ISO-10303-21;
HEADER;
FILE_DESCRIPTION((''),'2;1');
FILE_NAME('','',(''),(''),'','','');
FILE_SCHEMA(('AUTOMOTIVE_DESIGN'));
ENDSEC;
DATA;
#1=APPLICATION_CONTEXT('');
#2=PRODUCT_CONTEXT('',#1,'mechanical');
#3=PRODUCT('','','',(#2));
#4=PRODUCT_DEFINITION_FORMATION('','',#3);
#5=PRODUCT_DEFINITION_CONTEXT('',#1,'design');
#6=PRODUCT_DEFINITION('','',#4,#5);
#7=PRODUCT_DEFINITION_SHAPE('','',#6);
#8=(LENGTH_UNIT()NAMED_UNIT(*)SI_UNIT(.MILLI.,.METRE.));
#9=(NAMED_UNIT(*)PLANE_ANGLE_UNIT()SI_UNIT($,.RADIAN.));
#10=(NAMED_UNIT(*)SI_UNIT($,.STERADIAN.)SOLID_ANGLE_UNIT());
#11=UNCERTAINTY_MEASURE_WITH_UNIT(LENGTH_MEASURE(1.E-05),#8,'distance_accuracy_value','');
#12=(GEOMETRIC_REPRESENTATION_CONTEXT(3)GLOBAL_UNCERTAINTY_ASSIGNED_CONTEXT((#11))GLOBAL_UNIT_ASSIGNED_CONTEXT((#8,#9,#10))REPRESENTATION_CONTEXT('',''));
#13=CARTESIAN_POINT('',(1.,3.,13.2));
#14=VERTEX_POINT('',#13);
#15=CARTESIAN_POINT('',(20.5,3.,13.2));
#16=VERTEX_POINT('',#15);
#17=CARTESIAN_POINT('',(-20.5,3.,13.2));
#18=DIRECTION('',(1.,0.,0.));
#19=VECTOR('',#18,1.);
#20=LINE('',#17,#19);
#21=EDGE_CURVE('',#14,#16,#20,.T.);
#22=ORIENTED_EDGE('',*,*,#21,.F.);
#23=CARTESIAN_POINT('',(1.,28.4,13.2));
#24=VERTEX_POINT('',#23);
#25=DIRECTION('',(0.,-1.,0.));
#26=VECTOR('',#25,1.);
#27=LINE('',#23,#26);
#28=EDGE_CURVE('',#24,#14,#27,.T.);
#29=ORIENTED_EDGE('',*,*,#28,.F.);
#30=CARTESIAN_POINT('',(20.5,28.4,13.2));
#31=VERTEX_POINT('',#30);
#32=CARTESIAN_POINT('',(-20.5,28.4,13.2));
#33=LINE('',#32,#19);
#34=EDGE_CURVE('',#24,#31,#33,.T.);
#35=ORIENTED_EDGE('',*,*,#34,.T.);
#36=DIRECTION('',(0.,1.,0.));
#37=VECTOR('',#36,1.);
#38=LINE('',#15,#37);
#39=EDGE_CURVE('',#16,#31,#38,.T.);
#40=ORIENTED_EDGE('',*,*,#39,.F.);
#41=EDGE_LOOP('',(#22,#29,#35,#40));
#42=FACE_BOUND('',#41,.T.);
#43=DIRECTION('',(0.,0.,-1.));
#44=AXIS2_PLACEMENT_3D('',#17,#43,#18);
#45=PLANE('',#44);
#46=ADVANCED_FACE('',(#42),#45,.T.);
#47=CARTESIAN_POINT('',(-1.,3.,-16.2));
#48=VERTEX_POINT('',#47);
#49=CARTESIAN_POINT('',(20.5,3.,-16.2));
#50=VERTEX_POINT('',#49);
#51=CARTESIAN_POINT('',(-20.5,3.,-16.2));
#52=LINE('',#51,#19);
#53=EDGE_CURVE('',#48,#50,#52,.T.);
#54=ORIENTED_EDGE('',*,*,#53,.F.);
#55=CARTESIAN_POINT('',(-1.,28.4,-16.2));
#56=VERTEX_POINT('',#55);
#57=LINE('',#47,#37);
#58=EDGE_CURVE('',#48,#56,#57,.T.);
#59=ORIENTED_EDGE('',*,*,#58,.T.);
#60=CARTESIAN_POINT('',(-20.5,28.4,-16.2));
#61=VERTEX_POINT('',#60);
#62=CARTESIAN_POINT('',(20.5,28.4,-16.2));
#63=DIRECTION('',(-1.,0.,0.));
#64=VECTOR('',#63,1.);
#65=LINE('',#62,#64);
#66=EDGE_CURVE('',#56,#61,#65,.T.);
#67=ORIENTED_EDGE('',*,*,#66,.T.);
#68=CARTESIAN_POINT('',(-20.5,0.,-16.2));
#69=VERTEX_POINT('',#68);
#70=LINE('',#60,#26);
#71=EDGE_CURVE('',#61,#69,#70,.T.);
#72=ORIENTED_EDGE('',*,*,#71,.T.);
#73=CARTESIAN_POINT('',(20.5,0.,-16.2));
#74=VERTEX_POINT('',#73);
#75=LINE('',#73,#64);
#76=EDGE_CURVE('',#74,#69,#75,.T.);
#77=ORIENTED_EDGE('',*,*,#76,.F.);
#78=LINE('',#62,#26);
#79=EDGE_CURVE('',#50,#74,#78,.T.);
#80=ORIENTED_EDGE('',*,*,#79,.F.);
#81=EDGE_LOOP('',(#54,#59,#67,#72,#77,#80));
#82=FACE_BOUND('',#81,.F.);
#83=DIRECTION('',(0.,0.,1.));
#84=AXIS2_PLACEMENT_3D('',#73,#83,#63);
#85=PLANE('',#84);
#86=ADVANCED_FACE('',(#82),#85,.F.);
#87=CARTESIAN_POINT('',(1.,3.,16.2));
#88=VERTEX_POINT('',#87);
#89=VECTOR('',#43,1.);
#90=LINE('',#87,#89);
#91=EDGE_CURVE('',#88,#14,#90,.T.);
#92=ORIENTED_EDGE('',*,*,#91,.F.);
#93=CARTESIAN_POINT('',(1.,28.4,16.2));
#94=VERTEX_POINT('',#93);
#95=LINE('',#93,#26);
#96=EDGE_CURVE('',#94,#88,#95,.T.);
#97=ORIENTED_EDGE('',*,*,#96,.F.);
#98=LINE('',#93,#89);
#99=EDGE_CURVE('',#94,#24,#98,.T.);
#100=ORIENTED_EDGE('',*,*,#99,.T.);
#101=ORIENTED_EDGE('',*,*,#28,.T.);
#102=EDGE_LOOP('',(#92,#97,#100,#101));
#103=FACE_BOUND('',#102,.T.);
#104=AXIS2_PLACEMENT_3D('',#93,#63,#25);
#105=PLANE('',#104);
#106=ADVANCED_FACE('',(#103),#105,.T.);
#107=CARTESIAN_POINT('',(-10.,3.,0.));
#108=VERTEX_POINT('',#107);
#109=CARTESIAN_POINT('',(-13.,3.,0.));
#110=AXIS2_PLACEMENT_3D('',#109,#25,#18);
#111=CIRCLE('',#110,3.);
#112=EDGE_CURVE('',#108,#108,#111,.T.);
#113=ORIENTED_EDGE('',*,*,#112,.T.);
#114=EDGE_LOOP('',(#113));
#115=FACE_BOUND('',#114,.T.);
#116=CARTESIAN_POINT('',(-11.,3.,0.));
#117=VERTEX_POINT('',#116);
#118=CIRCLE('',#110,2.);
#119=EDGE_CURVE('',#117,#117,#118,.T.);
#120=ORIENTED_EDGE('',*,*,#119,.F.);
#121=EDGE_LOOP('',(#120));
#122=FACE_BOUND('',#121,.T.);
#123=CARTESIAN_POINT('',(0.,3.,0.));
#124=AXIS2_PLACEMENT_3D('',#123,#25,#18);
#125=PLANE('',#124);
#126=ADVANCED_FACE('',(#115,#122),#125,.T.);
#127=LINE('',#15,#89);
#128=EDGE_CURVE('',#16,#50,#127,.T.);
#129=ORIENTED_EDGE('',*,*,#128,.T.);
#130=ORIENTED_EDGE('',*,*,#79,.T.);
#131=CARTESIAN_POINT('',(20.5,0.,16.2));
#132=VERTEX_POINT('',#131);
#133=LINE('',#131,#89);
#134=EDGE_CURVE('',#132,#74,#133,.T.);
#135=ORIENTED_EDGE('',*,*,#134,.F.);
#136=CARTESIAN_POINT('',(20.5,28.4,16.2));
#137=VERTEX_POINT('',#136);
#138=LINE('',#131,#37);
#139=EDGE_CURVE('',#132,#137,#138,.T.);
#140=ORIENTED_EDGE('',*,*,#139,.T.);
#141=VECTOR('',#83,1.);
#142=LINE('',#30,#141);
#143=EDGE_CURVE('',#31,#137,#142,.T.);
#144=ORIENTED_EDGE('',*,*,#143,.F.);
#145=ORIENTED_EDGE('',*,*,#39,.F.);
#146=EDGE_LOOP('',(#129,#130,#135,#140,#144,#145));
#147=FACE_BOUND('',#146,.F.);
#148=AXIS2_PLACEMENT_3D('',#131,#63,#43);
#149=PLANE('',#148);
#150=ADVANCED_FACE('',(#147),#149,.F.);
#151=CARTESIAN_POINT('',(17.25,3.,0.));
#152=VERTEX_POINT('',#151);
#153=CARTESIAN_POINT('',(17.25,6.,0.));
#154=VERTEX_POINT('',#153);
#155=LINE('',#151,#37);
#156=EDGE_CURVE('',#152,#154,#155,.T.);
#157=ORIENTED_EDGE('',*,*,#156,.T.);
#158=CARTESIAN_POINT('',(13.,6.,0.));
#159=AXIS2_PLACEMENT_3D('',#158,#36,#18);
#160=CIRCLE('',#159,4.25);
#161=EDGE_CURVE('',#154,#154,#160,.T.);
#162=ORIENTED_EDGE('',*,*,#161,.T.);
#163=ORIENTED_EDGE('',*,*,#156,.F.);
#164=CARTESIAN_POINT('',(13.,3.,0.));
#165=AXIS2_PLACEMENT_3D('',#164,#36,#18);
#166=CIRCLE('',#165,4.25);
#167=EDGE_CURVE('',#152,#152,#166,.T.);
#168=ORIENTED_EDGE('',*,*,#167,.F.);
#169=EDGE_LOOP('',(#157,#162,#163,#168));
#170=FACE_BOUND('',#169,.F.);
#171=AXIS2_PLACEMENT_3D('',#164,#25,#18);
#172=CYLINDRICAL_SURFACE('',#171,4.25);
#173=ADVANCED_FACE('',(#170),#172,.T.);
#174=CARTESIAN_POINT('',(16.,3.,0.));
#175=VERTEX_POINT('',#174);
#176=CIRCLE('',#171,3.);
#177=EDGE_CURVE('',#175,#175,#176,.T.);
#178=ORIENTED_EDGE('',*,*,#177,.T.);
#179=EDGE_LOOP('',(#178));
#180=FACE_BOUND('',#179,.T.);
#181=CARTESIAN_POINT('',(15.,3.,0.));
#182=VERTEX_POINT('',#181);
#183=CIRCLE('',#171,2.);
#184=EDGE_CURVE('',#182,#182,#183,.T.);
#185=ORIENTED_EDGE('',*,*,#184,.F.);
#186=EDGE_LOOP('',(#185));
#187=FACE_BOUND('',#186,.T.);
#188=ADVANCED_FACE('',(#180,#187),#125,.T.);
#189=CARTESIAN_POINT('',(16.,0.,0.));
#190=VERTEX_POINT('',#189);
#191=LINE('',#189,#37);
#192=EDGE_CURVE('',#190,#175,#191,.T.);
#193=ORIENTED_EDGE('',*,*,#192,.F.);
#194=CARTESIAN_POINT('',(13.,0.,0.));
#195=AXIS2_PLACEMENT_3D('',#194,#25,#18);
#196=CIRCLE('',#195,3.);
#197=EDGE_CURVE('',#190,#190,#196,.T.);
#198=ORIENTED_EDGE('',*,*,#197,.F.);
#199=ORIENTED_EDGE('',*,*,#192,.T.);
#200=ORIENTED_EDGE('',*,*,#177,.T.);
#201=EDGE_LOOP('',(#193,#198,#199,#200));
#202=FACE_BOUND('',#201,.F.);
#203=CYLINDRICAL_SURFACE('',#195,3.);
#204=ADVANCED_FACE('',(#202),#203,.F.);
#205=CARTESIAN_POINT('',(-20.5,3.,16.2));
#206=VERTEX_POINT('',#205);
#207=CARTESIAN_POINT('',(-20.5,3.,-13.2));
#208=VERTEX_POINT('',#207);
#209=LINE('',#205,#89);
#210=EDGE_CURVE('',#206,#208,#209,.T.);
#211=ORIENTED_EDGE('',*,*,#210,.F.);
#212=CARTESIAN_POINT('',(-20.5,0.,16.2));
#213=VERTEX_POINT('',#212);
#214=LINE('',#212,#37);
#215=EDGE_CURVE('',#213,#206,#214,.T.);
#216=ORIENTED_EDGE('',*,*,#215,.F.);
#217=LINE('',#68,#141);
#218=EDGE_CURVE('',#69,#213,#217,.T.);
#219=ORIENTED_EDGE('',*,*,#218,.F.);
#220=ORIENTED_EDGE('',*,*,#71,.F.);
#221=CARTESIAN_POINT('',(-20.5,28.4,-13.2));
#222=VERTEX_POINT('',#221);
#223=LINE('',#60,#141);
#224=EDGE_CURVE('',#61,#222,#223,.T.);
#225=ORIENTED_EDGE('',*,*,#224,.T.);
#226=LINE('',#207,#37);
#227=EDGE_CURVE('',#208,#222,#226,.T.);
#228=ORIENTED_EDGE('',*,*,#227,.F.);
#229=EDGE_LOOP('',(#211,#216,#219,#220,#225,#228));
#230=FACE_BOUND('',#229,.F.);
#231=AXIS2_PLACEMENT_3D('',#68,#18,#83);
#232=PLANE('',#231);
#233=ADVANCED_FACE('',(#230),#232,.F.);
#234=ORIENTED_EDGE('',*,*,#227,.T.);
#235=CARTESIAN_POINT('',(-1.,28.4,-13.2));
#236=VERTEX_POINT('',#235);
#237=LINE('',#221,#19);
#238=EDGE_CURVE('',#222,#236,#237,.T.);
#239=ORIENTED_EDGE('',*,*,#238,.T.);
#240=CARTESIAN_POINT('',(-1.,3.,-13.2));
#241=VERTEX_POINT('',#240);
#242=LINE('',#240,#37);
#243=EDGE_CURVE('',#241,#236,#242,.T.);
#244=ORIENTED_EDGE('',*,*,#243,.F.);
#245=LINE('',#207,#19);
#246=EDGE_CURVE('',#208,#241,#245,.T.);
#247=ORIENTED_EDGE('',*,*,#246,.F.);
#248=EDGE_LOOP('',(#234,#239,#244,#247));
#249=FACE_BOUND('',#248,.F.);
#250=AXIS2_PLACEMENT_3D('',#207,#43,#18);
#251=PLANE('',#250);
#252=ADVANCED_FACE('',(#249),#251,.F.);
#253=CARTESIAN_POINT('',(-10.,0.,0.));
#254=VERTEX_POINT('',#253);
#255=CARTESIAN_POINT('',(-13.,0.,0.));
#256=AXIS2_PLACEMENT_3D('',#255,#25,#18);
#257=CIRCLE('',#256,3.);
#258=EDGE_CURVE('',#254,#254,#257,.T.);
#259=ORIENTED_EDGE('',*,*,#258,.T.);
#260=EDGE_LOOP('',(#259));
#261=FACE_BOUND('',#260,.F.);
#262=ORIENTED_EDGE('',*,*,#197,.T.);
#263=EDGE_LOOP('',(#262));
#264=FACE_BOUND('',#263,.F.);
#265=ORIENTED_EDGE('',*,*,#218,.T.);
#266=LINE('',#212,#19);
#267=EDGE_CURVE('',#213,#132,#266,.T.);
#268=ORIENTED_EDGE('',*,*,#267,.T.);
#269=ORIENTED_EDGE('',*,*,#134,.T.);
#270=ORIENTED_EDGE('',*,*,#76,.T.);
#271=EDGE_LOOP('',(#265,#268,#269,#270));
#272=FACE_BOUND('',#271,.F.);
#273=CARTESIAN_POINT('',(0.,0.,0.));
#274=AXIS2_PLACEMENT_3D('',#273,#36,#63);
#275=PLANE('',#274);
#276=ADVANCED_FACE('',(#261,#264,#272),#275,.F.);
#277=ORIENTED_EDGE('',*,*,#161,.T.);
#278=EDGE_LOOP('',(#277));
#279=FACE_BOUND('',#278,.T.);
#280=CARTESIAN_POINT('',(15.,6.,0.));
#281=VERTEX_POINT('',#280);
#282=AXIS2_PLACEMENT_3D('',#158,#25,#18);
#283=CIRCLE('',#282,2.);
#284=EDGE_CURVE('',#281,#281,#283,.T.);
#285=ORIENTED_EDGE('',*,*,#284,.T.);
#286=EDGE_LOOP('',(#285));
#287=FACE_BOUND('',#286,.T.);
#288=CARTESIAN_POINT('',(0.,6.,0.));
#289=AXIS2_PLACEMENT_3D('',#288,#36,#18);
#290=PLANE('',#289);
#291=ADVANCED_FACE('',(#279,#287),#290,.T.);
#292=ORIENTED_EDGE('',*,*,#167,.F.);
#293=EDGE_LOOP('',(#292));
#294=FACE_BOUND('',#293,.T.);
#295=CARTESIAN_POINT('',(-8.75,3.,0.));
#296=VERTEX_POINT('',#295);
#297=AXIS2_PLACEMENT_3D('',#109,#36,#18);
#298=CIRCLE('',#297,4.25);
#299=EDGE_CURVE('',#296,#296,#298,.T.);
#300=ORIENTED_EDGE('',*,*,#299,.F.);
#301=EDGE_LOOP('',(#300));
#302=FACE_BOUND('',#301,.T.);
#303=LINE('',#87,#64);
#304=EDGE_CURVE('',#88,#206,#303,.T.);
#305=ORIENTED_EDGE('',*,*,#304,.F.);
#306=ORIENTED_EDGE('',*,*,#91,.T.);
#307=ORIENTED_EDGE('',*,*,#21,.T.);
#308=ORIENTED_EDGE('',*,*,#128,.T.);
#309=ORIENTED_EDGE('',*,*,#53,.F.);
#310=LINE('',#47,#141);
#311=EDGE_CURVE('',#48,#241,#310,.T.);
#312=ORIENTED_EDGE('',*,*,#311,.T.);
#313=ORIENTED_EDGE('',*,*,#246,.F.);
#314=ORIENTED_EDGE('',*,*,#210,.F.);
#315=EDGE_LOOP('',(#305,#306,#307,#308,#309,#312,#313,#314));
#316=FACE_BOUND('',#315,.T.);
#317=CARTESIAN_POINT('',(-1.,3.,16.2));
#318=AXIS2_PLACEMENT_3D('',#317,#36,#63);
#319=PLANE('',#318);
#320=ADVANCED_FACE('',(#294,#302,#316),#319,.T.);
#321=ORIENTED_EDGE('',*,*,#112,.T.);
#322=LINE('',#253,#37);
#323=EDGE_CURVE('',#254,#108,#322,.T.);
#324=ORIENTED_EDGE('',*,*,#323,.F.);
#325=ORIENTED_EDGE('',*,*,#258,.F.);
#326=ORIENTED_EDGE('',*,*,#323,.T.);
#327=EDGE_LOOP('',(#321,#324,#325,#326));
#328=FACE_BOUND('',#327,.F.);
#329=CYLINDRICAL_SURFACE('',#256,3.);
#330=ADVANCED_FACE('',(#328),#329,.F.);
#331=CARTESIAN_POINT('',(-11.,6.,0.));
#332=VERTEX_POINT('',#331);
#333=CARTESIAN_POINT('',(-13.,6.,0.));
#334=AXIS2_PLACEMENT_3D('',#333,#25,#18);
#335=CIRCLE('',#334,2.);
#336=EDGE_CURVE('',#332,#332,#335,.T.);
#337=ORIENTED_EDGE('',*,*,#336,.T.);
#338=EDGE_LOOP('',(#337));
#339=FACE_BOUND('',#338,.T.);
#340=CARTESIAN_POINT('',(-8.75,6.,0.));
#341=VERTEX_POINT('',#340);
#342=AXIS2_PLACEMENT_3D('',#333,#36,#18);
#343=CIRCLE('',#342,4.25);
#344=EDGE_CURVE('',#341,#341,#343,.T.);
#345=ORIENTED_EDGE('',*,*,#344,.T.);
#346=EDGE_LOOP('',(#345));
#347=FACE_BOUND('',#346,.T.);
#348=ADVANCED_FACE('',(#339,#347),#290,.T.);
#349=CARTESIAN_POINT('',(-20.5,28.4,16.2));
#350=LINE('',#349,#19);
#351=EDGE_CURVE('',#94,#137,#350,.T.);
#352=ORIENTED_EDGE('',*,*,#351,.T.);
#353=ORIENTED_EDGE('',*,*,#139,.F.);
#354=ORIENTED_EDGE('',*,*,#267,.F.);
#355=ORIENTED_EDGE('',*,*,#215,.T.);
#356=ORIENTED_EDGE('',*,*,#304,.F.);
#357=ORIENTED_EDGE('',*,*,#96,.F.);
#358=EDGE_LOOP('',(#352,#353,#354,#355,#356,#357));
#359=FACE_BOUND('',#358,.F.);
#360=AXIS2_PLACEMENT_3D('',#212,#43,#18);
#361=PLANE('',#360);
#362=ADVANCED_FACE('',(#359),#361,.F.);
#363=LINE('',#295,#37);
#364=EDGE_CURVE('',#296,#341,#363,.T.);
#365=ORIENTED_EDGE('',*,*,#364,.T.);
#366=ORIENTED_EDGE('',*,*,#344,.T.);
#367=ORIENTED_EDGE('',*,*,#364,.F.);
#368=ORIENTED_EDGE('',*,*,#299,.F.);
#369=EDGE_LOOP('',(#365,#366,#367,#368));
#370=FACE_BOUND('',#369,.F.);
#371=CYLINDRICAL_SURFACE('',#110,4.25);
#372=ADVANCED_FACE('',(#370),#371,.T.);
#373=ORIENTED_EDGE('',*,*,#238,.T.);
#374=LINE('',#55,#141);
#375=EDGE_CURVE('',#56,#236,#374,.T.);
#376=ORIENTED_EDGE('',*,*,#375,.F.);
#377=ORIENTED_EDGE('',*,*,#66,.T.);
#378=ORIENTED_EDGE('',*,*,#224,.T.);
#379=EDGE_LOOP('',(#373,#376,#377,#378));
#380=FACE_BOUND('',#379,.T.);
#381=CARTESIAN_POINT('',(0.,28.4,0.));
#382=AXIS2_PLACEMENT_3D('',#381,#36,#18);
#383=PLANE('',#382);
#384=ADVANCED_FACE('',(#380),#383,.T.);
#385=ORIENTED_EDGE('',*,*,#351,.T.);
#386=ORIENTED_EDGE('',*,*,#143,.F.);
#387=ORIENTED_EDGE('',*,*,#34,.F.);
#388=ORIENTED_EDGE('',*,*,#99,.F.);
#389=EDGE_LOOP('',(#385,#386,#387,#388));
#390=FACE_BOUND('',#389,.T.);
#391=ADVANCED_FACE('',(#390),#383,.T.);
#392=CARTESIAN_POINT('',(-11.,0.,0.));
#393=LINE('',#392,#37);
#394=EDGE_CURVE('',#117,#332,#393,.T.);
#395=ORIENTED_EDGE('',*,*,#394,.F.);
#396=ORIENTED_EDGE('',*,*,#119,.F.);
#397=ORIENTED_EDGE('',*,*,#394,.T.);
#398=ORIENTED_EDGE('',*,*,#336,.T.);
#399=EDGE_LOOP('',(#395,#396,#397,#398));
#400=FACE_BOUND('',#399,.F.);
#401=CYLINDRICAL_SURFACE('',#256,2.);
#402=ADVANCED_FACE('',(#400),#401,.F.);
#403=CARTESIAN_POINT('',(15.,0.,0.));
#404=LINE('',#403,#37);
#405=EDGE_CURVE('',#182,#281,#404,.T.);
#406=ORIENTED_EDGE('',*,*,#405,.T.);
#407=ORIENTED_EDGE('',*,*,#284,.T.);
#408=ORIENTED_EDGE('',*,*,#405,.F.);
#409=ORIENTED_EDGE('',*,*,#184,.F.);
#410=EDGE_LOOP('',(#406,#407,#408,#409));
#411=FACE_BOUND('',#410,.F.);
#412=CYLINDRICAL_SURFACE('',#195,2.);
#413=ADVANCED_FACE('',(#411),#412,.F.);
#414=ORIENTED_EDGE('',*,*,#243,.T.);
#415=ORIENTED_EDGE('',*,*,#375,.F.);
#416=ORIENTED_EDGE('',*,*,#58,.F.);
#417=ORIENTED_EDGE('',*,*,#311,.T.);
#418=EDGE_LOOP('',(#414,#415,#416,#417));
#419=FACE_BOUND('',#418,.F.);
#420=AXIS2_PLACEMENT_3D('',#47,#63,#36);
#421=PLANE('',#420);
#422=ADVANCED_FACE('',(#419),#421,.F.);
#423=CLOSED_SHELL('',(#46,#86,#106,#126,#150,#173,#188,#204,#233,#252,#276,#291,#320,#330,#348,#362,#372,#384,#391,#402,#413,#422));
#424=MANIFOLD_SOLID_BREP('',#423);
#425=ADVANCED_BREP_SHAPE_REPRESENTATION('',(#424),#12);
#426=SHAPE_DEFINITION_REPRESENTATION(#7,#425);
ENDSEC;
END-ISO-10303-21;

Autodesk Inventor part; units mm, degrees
ref_plane "YZ Plane" through (0, 0, 0) normal (1, 0, 0) x (0, 1, 0)
ref_plane "XZ Plane" through (0, 0, 0) normal (0, 1, 0) x (-1, 0, 0)
ref_plane "XY Plane" through (0, 0, 0) normal (0, 0, 1) x (1, 0, 0)
sketch "Sketch1" plane through (0, 0, 0) normal (0, 1, 0) x (-1, 0, 0)
  line L0 (20.5, 16.2) -> (-20.5, 16.2)
  line L1 (-20.5, 16.2) -> (-20.5, -16.2)
  line L2 (-20.5, -16.2) -> (20.5, -16.2)
  line L3 (20.5, -16.2) -> (20.5, 16.2)
  point P0 (0, 0)
  dimension "d0" = 41
  dimension "d1" = 32.4
extrude "Extrusion1" add sketch "Sketch1" along normal blind 3
sketch "Sketch3" plane through (0, 3, 0) normal (0, 1, 0) x (1, 0, 0)
  line L0 (-20.5, -16.2) -> (20.5, -16.2) projected
  line L1 (-20.5, 16.2) -> (-20.5, -16.2) projected
  line L2 (20.5, -16.2) -> (-20.5, -16.2)
  line L3 (-20.5, -16.2) -> (-20.5, -13.2)
  line L4 (-20.5, -13.2) -> (20.5, -13.2)
  line L5 (20.5, -13.2) -> (20.5, -16.2)
  line L6 (20.5, 16.2) -> (-20.5, 16.2) projected
  line L7 (20.5, 16.2) -> (-20.5, 16.2)
  line L8 (-20.5, 16.2) -> (-20.5, 13.2)
  line L9 (-20.5, 13.2) -> (20.5, 13.2)
  line L10 (20.5, 13.2) -> (20.5, 16.2)
  point P0 (0, 0)
  dimension "d8" = 3
  dimension "d9" = 3
extrude "Extrusion3" add sketch "Sketch3" along normal blind 25.4
sketch "Sketch4" plane through (20.5, 0, -16.2) normal (0, 0, -1) x (-1, 0, 0)
  line L0 (41, 3) -> (0, 3) projected
  line L1 (0, 28.4) -> (41, 28.4) projected
  line L2 (0, 3) -> (21.5, 3)
  line L3 (21.5, 3) -> (21.5, 28.4)
  line L4 (21.5, 28.4) -> (0, 28.4)
  line L5 (0, 28.4) -> (0, 3)
  point P0 (20.5, 0)
  dimension "d12" = 21.5
extrude "Extrusion4" cut sketch "Sketch4" against normal blind 3
sketch "Sketch5" plane through (-20.5, 0, 16.2) normal (0, 0, 1) x (1, 0, 0)
  line L0 (41, 28.4) -> (0, 28.4) projected
  line L1 (19.5, 3) -> (41, 3) projected
  line L2 (0, 28.4) -> (21.5, 28.4)
  line L3 (21.5, 28.4) -> (21.5, 3)
  line L4 (21.5, 3) -> (0, 3)
  line L5 (0, 3) -> (0, 28.4)
  point P0 (20.5, 0)
  dimension "d15" = 21.5
extrude "Extrusion5" cut sketch "Sketch5" against normal blind 3
sketch "Sketch6" plane through (0, 3, 0) normal (0, 1, 0) x (1, 0, 0)
  circle A0 centre (13, 0) radius 4.25
  circle A1 centre (-13, 0) radius 4.25
  line L0 (-20.5, 13.2) -> (-20.5, -16.2) projected
  line L1 (20.5, -13.2) -> (20.5, 16.2) projected
  point P0 (0, 0)
  dimension "d20" = 8.5
  dimension "d21" = 8.5
  dimension "d32" = 26
  dimension "d33" = 7.5
  dimension "d34" = 7.5
extrude "Extrusion6" add sketch "Sketch6" along normal blind 3
sketch "Sketch7" plane through (0, 0, 0) normal (0, -1, 0) x (1, 0, 0)
  circle A0 centre (-13, 0) radius 4.25 projected
  circle A1 centre (-13, 0) radius 2
  circle A2 centre (13, 0) radius 4.25 projected
  circle A3 centre (13, 0) radius 2
  point P0 (0, 0)
  dimension "d24" = 4
  dimension "d25" = 4
extrude "Extrusion7" cut sketch "Sketch7" against normal blind 6 contours A1 | A3
sketch "Sketch8" plane through (0, 0, 0) normal (0, -1, 0) x (1, 0, 0)
  circle A0 centre (-13, 0) radius 2 projected
  circle A1 centre (-13, 0) radius 3
  circle A2 centre (13, 0) radius 2 projected
  circle A3 centre (13, 0) radius 3
  point P0 (0, 0)
  dimension "d28" = 6
  dimension "d29" = 6
extrude "Extrusion8" cut sketch "Sketch8" against normal blind 3 contours A0 | A1 | A2 | A3
properties part number "blankBracket"
